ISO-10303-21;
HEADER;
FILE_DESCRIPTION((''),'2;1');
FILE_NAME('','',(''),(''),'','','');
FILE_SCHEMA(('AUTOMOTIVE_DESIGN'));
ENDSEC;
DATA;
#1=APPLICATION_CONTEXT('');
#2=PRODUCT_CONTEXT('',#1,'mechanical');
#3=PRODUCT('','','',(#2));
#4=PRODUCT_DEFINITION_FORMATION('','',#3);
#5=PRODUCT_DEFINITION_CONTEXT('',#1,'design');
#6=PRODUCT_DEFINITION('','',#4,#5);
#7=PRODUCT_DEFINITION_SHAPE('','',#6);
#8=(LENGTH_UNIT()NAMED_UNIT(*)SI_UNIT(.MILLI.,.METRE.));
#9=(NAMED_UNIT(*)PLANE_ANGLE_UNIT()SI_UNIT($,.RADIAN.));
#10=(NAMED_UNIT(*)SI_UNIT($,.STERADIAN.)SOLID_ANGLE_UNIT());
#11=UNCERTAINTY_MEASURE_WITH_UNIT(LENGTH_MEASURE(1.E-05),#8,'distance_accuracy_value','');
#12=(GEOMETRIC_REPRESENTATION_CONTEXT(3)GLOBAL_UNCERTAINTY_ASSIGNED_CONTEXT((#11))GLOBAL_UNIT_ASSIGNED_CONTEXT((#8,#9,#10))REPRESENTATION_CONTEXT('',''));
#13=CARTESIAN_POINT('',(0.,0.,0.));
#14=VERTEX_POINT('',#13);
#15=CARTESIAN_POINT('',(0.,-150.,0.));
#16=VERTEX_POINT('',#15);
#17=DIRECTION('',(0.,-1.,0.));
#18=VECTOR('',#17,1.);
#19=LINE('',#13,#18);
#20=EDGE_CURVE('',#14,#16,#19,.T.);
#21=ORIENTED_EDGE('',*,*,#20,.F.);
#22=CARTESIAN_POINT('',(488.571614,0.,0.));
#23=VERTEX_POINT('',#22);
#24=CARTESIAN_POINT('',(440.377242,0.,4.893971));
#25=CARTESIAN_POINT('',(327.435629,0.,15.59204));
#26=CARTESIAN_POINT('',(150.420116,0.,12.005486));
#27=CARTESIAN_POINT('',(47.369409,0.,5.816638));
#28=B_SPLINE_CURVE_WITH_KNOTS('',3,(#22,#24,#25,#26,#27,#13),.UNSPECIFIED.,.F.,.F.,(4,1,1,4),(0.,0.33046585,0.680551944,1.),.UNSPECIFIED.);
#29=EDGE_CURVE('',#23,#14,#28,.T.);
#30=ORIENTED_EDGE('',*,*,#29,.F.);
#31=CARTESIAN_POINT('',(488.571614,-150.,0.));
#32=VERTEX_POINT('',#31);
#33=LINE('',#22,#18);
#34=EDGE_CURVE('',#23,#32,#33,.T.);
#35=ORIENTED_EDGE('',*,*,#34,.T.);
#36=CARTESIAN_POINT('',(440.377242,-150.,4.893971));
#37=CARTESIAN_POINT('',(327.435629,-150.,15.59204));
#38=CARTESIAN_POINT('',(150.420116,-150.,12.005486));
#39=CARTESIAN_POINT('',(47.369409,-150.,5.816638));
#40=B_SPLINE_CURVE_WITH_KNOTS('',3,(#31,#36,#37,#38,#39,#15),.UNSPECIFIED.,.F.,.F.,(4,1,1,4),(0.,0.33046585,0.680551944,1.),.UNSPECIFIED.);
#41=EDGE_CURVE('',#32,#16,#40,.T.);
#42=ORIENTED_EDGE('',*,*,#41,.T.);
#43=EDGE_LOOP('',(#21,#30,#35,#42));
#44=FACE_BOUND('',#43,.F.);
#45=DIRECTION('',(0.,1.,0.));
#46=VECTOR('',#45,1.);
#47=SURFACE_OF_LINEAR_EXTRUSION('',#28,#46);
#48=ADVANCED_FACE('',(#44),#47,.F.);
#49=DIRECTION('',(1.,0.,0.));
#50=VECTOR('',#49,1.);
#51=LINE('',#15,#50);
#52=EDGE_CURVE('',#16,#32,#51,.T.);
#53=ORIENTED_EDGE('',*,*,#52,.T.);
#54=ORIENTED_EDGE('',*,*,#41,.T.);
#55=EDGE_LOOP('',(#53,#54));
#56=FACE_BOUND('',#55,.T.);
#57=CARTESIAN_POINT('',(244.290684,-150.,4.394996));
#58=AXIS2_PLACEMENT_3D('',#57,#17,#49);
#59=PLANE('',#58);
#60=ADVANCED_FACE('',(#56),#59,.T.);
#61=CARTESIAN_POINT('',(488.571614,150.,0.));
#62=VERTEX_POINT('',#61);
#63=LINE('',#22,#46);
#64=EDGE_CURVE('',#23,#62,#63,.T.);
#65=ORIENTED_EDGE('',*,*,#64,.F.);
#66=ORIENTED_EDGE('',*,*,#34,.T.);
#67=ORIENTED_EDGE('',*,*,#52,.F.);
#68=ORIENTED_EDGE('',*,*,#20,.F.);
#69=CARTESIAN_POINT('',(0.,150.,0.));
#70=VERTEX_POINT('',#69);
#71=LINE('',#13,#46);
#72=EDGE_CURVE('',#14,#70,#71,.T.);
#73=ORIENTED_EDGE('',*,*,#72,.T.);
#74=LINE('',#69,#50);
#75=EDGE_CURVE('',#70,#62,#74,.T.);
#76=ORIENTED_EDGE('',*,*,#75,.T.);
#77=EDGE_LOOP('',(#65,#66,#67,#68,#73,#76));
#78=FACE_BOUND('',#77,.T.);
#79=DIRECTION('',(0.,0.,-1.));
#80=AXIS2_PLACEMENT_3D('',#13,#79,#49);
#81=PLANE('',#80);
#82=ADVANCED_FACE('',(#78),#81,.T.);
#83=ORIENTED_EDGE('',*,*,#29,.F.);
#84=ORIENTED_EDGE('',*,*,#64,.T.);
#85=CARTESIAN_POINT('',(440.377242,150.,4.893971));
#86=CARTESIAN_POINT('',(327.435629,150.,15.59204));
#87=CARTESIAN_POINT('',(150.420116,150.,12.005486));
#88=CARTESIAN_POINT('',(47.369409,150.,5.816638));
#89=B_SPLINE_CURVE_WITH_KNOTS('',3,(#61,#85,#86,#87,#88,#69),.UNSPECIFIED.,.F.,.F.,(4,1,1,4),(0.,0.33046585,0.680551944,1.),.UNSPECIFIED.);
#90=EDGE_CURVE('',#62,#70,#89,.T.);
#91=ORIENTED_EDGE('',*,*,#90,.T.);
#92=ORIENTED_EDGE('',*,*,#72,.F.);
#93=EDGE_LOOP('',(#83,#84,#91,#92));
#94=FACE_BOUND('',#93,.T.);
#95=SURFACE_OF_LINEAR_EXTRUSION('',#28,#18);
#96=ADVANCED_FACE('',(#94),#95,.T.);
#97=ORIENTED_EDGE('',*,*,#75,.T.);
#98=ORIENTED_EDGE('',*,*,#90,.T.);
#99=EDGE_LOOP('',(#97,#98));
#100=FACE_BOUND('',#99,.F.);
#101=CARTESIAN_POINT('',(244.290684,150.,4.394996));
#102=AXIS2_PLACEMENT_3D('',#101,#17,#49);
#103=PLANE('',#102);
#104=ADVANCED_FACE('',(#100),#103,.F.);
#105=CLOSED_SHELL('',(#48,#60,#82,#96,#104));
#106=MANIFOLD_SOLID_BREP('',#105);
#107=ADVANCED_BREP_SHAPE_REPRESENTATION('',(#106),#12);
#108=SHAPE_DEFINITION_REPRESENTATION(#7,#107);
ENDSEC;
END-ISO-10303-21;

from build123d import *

# Parameters (mm, degrees)
F1_DEPTH = 150


with BuildPart() as f1:
    # F0 (on Front) → F1 (new body, symmetric)
    with BuildSketch(Plane.XZ):
        with BuildLine():
            add(Edge.make_bspline(
                [(488.571614027, 0), (440.3772424076, 4.8939708473), (327.4356287091, 15.5920400856), (150.4201163831, 12.005485564), (47.3694091159, 5.8166382321), (0, 0)],
                knots=[0, 0, 0, 0, 0.3304658504, 0.680551944, 1, 1, 1, 1], degree=3))
            Line((0, 0), (488.571614027, 0))
        make_face()
    extrude(amount=F1_DEPTH, both=True)


solid = f1.part
